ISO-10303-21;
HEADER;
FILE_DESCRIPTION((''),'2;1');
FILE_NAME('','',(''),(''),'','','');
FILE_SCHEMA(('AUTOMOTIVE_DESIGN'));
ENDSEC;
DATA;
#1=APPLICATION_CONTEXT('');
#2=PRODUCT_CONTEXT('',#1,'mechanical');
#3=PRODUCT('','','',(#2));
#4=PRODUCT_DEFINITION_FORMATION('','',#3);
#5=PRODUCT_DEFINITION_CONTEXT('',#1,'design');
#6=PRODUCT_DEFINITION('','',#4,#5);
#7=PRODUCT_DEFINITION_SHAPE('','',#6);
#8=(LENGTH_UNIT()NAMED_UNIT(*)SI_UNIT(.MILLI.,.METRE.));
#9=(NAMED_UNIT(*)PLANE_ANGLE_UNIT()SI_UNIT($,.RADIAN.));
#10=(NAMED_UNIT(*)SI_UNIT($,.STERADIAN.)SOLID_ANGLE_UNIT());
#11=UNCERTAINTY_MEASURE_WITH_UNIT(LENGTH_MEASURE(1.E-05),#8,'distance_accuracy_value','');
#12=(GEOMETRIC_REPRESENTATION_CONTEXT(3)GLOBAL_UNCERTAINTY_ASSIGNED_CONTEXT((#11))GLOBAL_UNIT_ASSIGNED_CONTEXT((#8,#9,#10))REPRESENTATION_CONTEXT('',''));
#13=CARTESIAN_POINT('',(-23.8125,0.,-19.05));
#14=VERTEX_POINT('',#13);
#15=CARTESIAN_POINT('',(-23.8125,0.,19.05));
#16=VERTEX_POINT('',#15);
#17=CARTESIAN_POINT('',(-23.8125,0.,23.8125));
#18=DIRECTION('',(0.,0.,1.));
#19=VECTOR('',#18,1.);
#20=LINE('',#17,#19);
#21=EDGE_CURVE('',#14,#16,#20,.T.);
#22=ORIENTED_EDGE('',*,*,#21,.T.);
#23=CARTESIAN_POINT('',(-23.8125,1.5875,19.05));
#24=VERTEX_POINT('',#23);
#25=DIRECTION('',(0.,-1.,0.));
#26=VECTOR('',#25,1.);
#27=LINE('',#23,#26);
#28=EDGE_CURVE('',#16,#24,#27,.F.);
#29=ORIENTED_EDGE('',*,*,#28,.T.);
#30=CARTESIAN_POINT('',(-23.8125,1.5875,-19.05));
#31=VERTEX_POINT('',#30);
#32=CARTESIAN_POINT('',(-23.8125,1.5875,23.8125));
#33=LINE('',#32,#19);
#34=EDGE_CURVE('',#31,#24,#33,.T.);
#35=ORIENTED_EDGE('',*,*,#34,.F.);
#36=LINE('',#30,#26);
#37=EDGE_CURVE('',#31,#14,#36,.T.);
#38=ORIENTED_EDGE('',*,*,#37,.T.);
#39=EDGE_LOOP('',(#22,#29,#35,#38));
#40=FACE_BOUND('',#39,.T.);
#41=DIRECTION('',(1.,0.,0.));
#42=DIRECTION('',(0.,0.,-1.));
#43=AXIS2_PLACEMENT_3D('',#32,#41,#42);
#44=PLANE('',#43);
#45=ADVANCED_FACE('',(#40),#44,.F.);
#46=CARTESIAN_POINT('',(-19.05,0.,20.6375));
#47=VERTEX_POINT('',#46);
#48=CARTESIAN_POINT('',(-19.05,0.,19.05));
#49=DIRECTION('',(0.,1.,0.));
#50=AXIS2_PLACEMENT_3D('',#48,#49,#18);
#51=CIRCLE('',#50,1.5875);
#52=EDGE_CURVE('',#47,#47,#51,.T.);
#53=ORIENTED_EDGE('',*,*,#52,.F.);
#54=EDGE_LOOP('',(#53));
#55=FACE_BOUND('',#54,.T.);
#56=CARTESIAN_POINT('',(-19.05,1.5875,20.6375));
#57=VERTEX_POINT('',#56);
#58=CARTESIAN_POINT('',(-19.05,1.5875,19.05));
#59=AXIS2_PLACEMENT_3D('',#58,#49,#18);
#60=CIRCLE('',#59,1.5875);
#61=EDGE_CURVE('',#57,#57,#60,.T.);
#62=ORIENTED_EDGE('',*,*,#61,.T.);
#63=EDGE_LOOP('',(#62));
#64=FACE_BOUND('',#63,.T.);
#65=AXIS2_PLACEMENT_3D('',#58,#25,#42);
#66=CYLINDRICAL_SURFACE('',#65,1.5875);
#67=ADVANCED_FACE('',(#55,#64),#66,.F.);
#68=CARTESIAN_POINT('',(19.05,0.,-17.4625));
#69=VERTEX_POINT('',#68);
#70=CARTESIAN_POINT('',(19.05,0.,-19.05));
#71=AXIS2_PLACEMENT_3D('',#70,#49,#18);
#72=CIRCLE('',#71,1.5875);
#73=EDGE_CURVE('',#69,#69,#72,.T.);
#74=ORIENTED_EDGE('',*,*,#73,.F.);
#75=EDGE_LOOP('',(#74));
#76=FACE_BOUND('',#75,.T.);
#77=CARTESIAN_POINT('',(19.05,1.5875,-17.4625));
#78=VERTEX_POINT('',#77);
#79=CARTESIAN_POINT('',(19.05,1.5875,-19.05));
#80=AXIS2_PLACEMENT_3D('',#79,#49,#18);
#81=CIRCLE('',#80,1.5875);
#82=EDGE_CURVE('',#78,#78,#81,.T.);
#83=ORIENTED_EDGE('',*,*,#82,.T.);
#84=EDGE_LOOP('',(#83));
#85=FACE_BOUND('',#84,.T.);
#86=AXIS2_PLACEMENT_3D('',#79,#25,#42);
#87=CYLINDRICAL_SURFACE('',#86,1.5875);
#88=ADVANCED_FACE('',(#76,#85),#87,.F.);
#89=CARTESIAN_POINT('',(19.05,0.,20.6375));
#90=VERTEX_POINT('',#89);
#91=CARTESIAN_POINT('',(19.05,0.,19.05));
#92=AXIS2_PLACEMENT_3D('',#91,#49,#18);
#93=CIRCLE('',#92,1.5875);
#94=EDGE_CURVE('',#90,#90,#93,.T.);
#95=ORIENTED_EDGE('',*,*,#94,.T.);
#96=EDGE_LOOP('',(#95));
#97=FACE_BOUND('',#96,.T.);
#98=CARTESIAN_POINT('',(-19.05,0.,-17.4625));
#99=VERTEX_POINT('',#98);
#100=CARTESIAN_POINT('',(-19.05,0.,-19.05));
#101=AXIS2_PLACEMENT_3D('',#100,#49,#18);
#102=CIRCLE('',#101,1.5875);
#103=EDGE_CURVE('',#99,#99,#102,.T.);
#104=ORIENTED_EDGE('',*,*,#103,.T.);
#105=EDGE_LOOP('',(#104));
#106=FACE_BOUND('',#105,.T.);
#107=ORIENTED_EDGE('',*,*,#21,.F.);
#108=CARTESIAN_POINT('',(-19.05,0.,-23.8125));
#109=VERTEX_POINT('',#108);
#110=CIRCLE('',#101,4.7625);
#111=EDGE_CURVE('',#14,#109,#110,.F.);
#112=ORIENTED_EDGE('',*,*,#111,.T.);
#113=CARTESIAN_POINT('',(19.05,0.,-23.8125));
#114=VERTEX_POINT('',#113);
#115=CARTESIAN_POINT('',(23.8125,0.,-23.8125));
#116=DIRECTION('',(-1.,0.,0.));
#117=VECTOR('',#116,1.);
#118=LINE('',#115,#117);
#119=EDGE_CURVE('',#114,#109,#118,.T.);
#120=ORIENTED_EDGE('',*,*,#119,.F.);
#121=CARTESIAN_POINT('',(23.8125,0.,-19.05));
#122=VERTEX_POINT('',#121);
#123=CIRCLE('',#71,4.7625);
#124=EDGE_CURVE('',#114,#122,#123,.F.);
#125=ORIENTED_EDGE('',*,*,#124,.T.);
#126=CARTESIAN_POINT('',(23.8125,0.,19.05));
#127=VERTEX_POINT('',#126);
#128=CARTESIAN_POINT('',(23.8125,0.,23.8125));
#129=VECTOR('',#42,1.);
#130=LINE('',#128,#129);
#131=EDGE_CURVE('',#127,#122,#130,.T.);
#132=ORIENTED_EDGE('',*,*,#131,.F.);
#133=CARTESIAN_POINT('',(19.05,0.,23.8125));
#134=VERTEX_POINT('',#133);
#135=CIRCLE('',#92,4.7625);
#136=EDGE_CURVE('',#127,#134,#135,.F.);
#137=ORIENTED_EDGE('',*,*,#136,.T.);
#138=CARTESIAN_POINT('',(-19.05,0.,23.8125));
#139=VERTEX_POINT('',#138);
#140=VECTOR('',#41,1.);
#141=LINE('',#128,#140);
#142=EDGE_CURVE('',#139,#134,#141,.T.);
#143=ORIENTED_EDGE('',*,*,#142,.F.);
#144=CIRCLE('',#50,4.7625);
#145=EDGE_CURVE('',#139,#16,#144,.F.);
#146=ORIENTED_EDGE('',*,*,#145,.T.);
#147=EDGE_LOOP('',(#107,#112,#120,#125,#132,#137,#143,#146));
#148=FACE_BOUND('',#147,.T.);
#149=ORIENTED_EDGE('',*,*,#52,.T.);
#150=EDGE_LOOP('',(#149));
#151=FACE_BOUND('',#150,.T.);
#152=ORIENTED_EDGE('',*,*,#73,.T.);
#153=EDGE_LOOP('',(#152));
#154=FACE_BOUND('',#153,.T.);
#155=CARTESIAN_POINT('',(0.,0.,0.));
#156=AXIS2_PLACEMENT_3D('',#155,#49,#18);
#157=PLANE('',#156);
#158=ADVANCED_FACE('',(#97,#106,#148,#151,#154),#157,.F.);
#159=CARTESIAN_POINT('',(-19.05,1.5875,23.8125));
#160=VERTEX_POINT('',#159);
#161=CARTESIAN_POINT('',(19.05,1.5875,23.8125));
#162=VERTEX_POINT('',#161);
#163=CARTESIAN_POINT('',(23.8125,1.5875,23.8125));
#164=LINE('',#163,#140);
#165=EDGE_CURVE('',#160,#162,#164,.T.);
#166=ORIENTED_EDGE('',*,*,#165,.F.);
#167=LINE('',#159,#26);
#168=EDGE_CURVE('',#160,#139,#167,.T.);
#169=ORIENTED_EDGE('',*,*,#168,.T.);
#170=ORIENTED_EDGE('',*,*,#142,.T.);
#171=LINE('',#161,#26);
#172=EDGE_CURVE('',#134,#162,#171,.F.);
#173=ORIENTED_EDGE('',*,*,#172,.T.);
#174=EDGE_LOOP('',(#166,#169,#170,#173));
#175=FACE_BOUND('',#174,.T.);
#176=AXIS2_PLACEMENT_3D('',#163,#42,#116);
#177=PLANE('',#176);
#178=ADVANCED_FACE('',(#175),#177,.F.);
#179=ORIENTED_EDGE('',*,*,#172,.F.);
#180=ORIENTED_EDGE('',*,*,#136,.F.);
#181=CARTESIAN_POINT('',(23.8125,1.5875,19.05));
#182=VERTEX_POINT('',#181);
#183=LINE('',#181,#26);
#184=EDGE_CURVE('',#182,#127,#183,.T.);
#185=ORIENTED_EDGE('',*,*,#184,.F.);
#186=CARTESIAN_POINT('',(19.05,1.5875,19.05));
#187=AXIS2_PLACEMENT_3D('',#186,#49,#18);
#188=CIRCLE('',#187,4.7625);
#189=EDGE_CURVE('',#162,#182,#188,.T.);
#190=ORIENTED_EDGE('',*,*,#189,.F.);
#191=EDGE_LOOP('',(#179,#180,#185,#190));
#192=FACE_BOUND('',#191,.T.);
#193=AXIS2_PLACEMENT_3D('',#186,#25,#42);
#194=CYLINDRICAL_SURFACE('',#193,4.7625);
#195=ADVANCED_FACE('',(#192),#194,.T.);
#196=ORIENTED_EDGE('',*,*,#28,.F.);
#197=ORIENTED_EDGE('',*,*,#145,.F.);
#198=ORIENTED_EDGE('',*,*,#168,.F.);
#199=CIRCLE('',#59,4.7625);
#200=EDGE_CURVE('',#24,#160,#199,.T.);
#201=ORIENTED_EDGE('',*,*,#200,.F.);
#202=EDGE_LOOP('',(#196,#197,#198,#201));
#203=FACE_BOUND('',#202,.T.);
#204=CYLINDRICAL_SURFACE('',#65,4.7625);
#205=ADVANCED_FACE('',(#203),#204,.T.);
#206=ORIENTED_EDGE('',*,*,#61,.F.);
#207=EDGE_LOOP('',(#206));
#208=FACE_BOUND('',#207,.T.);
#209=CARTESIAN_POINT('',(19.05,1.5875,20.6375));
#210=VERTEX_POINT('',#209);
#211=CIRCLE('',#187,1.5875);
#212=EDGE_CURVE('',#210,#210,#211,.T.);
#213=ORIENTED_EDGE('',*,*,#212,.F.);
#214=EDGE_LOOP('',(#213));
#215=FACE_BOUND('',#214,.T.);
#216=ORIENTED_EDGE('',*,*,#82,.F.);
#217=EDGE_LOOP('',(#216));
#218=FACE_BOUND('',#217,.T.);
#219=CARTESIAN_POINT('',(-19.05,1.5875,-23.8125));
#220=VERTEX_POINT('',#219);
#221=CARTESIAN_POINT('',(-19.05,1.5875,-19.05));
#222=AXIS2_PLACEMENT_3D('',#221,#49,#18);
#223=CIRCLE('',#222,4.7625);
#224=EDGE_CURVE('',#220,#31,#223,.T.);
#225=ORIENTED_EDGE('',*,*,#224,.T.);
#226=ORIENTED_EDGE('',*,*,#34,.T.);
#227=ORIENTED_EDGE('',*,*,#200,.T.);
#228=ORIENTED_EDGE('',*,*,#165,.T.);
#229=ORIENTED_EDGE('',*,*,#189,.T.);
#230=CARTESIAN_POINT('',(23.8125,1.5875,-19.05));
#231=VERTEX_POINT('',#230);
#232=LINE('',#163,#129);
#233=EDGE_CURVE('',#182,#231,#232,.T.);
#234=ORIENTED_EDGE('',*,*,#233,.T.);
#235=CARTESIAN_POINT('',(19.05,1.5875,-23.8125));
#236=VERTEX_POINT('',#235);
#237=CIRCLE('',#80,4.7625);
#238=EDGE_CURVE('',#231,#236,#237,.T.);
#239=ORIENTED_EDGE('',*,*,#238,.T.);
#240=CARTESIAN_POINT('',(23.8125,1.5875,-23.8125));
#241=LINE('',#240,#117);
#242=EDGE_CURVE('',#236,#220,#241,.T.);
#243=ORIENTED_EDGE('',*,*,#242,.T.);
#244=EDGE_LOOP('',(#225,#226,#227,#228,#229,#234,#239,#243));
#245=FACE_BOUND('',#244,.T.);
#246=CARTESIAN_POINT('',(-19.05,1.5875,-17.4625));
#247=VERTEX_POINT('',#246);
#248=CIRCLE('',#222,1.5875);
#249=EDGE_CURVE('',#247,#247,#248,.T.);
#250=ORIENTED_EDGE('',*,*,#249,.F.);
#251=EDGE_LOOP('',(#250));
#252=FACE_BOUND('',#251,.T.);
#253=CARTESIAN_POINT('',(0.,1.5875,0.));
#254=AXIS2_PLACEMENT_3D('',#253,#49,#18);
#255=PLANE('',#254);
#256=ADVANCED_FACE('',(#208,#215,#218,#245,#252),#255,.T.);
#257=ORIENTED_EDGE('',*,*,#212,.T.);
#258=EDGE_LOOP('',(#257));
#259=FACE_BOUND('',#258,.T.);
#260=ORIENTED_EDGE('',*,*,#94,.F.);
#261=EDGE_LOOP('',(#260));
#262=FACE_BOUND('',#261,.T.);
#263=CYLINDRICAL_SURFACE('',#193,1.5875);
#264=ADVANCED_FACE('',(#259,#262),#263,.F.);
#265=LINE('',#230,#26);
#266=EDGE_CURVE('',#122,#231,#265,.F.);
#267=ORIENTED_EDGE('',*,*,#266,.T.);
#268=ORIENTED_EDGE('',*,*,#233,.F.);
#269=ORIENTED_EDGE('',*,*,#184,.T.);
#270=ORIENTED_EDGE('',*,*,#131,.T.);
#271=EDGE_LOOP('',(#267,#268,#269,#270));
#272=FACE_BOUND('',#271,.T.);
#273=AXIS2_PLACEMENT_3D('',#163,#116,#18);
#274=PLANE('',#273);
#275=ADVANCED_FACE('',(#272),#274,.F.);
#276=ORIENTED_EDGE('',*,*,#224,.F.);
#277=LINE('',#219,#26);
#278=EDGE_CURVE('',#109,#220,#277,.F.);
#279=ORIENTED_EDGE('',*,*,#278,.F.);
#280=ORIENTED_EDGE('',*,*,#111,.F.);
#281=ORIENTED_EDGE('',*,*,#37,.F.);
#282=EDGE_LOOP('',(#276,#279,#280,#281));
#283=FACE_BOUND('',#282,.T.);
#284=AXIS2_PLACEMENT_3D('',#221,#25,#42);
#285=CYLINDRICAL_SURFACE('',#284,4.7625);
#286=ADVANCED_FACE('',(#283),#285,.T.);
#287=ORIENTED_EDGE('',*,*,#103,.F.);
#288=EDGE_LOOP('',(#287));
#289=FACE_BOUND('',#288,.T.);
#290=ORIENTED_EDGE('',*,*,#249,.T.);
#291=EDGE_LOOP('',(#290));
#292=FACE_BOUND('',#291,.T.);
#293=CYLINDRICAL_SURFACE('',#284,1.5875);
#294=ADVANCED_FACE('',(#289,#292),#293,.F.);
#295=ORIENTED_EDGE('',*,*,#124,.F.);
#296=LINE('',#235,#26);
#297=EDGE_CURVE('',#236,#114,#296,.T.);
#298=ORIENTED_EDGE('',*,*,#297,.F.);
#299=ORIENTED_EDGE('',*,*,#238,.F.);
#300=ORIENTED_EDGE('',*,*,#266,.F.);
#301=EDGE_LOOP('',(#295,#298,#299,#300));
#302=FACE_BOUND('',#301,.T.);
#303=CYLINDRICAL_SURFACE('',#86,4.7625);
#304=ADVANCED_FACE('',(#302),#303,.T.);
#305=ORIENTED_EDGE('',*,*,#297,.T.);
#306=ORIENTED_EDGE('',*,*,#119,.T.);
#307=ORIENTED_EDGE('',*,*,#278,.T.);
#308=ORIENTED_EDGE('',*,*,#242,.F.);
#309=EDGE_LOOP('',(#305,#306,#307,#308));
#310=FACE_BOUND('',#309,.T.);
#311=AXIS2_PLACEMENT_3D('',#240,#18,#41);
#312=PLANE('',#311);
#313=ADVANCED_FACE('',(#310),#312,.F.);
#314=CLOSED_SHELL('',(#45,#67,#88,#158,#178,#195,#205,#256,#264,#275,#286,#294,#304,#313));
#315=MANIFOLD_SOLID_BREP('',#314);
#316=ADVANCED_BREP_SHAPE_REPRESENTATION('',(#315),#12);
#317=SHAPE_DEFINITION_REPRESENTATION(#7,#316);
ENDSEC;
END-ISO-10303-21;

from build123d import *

# Parameters (mm, degrees)
SKETCH1_W           = 47.625
SKETCH1_H           = 47.625
SKETCH1_R           = 1.5875
BOSS_EXTRUDE1_DEPTH = 1.5875
FILLET1_R           = 4.7625


with BuildPart() as part:
    # Sketch1 → Boss-Extrude1 (new body)
    with BuildSketch(Plane(origin=(0, 0, 0), x_dir=(1, 0, 0), z_dir=(0, 1, 0))):
        Rectangle(SKETCH1_W, SKETCH1_H)
        with Locations((-19.05, 19.05)):
            Circle(SKETCH1_R, mode=Mode.SUBTRACT)
        with Locations((19.05, 19.05)):
            Circle(SKETCH1_R, mode=Mode.SUBTRACT)
        with Locations((19.05, -19.05)):
            Circle(SKETCH1_R, mode=Mode.SUBTRACT)
        with Locations((-19.05, -19.05)):
            Circle(SKETCH1_R, mode=Mode.SUBTRACT)
    extrude(amount=BOSS_EXTRUDE1_DEPTH)

    # Fillet1
    fillet1_edges = [part.edges().sort_by_distance(p)[0] for p in [
        (-23.8125, 0.79375, -23.8125),
        (23.8125, 0.79375, -23.8125),
        (23.8125, 0.79375, 23.8125),
        (-23.8125, 0.79375, 23.8125),
    ]]
    fillet(fillet1_edges, radius=FILLET1_R)


solid = part.part
